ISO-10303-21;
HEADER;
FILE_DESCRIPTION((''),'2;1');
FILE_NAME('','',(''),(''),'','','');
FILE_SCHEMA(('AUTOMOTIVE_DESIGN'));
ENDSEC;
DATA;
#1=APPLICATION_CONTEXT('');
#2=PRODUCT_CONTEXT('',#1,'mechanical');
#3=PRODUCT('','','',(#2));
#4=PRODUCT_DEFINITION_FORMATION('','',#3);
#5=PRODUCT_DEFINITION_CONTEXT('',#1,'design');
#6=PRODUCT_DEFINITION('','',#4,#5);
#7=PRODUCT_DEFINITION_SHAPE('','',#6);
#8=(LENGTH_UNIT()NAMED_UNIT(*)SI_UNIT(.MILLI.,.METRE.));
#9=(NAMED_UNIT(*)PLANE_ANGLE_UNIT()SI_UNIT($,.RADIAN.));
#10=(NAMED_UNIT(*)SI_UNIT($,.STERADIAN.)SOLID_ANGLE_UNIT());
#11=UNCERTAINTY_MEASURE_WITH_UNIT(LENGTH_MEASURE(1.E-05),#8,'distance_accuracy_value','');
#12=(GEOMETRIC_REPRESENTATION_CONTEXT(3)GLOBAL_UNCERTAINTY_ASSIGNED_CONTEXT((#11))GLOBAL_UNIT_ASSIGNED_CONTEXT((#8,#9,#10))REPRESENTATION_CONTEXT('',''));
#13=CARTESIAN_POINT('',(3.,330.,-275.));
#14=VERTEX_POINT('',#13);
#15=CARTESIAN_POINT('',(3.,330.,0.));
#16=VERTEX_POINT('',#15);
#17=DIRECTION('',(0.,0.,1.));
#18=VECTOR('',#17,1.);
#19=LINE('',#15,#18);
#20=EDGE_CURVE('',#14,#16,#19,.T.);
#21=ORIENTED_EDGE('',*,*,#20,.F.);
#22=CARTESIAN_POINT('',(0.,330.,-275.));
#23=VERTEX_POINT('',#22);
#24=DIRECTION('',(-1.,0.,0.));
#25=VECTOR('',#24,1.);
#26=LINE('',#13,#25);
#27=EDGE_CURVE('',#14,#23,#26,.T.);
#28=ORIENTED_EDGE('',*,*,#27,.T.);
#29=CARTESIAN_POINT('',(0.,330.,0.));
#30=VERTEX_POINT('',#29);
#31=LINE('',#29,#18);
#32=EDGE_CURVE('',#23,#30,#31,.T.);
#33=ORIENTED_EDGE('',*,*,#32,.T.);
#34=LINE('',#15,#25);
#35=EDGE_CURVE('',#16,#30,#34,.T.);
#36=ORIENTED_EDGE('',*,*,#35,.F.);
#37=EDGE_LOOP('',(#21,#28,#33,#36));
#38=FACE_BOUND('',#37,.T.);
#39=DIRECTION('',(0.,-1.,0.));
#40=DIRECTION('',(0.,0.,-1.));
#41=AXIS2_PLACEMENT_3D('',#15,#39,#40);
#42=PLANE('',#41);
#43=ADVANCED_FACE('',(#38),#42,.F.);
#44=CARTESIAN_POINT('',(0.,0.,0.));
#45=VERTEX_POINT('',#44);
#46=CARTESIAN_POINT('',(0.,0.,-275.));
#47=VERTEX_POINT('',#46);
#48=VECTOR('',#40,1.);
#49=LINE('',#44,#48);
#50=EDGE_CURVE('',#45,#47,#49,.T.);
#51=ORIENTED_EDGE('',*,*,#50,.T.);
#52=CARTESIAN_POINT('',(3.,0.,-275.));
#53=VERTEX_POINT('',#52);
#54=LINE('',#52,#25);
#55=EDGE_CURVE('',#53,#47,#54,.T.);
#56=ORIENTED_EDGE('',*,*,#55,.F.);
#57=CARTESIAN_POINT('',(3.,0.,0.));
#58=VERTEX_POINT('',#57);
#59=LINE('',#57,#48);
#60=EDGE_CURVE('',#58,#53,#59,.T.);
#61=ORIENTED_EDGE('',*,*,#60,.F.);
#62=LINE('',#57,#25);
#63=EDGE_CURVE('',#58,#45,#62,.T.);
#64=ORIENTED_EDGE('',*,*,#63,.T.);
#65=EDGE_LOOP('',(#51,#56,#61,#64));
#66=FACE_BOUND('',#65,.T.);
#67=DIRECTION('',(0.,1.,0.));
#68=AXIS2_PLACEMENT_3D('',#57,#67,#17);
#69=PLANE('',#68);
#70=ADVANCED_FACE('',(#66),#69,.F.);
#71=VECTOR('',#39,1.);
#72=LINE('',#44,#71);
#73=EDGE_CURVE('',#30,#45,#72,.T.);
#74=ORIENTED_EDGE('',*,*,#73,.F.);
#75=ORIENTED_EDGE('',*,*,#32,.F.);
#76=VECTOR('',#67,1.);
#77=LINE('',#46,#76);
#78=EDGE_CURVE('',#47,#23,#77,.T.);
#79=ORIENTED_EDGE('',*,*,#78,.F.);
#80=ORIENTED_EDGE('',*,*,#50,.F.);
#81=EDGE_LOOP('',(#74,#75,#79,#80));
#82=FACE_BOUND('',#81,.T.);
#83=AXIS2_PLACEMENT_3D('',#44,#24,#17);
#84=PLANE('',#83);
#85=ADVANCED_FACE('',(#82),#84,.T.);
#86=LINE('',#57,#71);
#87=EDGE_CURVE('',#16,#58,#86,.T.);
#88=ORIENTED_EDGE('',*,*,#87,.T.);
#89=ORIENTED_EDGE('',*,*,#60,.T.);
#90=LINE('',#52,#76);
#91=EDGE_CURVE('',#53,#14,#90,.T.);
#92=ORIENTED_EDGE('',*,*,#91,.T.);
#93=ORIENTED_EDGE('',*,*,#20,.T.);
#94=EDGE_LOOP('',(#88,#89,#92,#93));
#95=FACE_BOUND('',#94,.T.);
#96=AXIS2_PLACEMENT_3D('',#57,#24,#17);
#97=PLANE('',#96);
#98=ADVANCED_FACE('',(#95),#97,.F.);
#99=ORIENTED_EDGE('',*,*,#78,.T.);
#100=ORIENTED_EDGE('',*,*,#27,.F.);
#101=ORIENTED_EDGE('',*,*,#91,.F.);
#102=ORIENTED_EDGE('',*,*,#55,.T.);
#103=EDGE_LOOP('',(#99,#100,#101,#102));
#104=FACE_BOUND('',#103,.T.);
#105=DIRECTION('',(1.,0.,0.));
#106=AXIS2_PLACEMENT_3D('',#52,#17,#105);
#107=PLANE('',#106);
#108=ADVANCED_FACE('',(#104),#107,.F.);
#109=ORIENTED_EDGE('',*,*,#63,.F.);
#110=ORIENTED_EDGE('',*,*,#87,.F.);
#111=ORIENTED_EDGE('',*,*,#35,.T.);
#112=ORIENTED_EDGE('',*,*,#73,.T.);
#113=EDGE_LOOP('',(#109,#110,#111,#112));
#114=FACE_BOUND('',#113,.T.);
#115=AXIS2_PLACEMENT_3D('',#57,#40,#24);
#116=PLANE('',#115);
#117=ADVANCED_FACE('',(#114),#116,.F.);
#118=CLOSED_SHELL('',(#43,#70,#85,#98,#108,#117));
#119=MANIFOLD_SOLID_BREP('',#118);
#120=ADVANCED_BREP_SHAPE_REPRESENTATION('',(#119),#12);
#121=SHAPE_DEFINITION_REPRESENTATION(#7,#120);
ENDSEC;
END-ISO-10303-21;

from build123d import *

# Parameters (mm, degrees)
SZKIC3_W                    = 275
SZKIC3_H                    = 330
DODANIE_WYCI_GNI_CIE1_DEPTH = 3


with BuildPart() as part:
    # Szkic3 → Dodanie-wyciągnięcie1 (new body)
    with BuildSketch(Plane(origin=(0, 0, 0), x_dir=(0, 0, -1), z_dir=(1, 0, 0))):
        with Locations((137.5, 165)):
            Rectangle(SZKIC3_W, SZKIC3_H)
    extrude(amount=DODANIE_WYCI_GNI_CIE1_DEPTH)


solid = part.part
